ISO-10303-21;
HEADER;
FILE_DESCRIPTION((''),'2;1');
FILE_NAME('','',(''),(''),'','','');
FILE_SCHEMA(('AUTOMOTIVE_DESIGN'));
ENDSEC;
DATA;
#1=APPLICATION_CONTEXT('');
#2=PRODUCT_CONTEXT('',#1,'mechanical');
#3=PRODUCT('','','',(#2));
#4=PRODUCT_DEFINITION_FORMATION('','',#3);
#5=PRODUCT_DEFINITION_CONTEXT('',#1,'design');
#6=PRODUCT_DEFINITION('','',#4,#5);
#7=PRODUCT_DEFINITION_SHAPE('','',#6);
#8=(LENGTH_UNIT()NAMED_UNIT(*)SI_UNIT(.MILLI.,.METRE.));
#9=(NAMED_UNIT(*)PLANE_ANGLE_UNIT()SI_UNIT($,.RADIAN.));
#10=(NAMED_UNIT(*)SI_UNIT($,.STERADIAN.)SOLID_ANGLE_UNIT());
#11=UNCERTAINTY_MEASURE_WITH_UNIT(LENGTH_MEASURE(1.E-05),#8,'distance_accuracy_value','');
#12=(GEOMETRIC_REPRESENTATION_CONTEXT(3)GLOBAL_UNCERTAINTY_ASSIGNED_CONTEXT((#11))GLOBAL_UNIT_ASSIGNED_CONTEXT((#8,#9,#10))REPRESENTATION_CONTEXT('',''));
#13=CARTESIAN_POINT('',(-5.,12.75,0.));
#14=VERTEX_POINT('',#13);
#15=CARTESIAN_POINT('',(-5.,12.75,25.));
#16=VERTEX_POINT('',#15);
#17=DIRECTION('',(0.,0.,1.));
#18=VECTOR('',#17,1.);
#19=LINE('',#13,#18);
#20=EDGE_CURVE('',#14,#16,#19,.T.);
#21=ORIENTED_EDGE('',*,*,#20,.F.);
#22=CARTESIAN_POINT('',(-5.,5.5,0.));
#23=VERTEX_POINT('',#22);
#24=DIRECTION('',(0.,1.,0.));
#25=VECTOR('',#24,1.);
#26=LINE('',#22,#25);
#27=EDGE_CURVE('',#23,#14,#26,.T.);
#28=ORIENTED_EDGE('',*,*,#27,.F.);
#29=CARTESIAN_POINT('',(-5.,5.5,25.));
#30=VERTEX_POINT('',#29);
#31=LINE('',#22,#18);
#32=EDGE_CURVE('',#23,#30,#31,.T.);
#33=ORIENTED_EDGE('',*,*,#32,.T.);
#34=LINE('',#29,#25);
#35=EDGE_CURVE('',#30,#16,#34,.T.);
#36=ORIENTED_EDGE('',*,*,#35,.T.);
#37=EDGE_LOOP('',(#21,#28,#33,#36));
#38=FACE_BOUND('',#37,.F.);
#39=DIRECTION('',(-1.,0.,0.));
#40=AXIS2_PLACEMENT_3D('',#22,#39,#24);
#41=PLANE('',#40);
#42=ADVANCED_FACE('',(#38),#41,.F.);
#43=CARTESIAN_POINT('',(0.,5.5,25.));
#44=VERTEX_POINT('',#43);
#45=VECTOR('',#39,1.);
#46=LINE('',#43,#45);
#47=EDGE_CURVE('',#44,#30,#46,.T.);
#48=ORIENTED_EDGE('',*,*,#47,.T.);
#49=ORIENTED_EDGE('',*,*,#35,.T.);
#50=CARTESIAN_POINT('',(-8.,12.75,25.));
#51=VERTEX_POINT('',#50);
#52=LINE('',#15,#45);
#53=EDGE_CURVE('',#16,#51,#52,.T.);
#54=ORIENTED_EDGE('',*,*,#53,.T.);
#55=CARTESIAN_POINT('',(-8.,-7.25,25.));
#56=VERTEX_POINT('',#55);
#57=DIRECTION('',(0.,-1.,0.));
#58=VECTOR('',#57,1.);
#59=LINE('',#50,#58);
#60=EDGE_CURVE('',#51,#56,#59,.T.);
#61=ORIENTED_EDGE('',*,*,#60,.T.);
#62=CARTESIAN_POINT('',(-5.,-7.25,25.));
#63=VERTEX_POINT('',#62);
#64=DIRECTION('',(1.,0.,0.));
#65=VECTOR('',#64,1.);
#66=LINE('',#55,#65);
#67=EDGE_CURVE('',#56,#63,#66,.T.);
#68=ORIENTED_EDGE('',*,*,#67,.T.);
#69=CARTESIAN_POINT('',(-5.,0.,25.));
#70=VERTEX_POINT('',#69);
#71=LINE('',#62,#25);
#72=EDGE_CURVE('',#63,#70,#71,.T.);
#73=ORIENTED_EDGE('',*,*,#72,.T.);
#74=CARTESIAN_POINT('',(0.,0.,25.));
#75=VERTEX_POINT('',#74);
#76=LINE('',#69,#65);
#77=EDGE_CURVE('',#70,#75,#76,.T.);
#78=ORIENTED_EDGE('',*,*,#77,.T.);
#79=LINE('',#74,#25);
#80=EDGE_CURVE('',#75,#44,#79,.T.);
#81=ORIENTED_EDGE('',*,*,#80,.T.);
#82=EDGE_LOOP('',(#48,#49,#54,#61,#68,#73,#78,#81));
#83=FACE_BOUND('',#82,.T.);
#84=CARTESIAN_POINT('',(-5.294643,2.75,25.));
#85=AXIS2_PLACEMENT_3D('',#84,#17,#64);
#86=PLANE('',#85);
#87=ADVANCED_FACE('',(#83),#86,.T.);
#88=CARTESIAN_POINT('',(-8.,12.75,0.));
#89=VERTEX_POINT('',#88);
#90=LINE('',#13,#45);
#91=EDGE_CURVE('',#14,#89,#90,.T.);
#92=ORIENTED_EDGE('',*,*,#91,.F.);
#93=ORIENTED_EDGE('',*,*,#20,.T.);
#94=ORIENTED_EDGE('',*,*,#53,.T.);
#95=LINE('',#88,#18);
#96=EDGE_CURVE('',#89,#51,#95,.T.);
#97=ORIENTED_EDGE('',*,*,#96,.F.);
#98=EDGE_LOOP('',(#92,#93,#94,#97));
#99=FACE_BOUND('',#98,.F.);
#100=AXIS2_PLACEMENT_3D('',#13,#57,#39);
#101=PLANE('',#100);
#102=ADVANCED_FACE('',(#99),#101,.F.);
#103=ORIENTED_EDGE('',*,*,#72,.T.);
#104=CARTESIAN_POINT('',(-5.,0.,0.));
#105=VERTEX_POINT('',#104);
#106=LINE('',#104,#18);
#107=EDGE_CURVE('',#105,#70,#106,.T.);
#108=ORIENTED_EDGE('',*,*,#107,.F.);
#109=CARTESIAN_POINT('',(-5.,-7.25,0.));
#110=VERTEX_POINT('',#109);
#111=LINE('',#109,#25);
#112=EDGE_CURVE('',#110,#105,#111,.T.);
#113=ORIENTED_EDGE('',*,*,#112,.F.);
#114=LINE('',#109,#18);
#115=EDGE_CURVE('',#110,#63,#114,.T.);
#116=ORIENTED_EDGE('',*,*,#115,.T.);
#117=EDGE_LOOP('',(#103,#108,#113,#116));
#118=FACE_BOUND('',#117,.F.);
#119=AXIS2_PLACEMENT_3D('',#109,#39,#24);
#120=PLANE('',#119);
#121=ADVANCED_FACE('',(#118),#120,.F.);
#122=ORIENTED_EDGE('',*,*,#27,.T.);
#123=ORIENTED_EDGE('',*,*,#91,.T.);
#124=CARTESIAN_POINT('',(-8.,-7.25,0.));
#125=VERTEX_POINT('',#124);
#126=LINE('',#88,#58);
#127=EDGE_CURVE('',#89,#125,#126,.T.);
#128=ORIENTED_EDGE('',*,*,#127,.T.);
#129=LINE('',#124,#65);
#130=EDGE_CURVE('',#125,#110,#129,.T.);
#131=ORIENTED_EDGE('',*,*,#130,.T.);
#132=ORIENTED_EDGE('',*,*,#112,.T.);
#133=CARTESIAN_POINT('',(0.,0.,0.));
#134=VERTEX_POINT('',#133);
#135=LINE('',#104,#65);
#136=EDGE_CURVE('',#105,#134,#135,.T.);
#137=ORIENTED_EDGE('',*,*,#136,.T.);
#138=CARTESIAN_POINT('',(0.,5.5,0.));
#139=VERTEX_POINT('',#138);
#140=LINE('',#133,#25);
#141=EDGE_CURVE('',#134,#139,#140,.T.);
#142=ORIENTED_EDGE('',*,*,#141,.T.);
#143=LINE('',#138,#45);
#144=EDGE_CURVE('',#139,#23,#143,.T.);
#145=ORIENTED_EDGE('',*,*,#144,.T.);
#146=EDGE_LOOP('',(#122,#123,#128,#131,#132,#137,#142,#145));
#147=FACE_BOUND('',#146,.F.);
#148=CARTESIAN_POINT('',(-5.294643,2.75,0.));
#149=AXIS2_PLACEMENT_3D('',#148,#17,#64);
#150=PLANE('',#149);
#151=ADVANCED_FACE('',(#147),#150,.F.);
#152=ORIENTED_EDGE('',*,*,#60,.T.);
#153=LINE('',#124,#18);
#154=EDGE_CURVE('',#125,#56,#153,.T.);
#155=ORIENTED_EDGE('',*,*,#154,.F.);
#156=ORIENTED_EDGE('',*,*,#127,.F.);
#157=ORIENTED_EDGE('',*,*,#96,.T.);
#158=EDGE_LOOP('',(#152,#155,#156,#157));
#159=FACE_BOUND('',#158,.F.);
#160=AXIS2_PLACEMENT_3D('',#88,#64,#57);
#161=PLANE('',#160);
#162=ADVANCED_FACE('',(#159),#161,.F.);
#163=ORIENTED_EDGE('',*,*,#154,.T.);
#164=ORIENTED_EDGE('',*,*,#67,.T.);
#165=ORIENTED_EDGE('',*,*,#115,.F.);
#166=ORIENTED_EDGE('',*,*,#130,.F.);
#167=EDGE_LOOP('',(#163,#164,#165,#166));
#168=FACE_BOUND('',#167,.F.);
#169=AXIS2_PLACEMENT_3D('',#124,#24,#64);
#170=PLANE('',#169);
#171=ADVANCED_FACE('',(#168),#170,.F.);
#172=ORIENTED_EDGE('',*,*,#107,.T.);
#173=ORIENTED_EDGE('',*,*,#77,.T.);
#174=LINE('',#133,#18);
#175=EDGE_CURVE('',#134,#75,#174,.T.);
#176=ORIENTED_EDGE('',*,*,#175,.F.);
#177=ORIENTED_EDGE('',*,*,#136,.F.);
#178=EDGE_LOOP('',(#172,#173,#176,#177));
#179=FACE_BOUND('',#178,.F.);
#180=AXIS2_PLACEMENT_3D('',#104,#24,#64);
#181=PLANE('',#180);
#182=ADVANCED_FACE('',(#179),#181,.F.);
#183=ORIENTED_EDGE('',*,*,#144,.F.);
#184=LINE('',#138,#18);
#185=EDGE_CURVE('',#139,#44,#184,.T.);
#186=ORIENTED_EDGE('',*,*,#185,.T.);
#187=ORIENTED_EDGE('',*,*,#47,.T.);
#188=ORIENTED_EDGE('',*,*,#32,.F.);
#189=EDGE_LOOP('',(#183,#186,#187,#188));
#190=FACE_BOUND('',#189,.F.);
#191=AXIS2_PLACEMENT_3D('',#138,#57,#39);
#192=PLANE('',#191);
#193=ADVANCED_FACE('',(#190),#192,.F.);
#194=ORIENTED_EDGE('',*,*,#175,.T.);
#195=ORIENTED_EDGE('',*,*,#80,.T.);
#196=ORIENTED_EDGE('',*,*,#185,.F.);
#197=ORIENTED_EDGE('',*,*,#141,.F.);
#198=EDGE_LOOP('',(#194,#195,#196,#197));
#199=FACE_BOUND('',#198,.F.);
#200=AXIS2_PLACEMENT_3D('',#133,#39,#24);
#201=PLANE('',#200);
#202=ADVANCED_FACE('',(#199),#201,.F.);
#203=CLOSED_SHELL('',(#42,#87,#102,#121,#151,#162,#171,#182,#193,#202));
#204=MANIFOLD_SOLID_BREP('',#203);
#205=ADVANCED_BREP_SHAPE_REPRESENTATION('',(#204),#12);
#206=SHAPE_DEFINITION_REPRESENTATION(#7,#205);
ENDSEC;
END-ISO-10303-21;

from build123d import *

# Parameters (mm, degrees)
F2_DEPTH = 25


with BuildPart() as f2:
    # F1 (on face) → F2 (new body)
    with BuildSketch(Plane.XY):
        Polygon((0, 0), (0, 5.5), (-5, 5.5), (-5, 12.75), (-8, 12.75), (-8, -7.25), (-5, -7.25), (-5, 0), align=None)
    extrude(amount=F2_DEPTH)


solid = f2.part
